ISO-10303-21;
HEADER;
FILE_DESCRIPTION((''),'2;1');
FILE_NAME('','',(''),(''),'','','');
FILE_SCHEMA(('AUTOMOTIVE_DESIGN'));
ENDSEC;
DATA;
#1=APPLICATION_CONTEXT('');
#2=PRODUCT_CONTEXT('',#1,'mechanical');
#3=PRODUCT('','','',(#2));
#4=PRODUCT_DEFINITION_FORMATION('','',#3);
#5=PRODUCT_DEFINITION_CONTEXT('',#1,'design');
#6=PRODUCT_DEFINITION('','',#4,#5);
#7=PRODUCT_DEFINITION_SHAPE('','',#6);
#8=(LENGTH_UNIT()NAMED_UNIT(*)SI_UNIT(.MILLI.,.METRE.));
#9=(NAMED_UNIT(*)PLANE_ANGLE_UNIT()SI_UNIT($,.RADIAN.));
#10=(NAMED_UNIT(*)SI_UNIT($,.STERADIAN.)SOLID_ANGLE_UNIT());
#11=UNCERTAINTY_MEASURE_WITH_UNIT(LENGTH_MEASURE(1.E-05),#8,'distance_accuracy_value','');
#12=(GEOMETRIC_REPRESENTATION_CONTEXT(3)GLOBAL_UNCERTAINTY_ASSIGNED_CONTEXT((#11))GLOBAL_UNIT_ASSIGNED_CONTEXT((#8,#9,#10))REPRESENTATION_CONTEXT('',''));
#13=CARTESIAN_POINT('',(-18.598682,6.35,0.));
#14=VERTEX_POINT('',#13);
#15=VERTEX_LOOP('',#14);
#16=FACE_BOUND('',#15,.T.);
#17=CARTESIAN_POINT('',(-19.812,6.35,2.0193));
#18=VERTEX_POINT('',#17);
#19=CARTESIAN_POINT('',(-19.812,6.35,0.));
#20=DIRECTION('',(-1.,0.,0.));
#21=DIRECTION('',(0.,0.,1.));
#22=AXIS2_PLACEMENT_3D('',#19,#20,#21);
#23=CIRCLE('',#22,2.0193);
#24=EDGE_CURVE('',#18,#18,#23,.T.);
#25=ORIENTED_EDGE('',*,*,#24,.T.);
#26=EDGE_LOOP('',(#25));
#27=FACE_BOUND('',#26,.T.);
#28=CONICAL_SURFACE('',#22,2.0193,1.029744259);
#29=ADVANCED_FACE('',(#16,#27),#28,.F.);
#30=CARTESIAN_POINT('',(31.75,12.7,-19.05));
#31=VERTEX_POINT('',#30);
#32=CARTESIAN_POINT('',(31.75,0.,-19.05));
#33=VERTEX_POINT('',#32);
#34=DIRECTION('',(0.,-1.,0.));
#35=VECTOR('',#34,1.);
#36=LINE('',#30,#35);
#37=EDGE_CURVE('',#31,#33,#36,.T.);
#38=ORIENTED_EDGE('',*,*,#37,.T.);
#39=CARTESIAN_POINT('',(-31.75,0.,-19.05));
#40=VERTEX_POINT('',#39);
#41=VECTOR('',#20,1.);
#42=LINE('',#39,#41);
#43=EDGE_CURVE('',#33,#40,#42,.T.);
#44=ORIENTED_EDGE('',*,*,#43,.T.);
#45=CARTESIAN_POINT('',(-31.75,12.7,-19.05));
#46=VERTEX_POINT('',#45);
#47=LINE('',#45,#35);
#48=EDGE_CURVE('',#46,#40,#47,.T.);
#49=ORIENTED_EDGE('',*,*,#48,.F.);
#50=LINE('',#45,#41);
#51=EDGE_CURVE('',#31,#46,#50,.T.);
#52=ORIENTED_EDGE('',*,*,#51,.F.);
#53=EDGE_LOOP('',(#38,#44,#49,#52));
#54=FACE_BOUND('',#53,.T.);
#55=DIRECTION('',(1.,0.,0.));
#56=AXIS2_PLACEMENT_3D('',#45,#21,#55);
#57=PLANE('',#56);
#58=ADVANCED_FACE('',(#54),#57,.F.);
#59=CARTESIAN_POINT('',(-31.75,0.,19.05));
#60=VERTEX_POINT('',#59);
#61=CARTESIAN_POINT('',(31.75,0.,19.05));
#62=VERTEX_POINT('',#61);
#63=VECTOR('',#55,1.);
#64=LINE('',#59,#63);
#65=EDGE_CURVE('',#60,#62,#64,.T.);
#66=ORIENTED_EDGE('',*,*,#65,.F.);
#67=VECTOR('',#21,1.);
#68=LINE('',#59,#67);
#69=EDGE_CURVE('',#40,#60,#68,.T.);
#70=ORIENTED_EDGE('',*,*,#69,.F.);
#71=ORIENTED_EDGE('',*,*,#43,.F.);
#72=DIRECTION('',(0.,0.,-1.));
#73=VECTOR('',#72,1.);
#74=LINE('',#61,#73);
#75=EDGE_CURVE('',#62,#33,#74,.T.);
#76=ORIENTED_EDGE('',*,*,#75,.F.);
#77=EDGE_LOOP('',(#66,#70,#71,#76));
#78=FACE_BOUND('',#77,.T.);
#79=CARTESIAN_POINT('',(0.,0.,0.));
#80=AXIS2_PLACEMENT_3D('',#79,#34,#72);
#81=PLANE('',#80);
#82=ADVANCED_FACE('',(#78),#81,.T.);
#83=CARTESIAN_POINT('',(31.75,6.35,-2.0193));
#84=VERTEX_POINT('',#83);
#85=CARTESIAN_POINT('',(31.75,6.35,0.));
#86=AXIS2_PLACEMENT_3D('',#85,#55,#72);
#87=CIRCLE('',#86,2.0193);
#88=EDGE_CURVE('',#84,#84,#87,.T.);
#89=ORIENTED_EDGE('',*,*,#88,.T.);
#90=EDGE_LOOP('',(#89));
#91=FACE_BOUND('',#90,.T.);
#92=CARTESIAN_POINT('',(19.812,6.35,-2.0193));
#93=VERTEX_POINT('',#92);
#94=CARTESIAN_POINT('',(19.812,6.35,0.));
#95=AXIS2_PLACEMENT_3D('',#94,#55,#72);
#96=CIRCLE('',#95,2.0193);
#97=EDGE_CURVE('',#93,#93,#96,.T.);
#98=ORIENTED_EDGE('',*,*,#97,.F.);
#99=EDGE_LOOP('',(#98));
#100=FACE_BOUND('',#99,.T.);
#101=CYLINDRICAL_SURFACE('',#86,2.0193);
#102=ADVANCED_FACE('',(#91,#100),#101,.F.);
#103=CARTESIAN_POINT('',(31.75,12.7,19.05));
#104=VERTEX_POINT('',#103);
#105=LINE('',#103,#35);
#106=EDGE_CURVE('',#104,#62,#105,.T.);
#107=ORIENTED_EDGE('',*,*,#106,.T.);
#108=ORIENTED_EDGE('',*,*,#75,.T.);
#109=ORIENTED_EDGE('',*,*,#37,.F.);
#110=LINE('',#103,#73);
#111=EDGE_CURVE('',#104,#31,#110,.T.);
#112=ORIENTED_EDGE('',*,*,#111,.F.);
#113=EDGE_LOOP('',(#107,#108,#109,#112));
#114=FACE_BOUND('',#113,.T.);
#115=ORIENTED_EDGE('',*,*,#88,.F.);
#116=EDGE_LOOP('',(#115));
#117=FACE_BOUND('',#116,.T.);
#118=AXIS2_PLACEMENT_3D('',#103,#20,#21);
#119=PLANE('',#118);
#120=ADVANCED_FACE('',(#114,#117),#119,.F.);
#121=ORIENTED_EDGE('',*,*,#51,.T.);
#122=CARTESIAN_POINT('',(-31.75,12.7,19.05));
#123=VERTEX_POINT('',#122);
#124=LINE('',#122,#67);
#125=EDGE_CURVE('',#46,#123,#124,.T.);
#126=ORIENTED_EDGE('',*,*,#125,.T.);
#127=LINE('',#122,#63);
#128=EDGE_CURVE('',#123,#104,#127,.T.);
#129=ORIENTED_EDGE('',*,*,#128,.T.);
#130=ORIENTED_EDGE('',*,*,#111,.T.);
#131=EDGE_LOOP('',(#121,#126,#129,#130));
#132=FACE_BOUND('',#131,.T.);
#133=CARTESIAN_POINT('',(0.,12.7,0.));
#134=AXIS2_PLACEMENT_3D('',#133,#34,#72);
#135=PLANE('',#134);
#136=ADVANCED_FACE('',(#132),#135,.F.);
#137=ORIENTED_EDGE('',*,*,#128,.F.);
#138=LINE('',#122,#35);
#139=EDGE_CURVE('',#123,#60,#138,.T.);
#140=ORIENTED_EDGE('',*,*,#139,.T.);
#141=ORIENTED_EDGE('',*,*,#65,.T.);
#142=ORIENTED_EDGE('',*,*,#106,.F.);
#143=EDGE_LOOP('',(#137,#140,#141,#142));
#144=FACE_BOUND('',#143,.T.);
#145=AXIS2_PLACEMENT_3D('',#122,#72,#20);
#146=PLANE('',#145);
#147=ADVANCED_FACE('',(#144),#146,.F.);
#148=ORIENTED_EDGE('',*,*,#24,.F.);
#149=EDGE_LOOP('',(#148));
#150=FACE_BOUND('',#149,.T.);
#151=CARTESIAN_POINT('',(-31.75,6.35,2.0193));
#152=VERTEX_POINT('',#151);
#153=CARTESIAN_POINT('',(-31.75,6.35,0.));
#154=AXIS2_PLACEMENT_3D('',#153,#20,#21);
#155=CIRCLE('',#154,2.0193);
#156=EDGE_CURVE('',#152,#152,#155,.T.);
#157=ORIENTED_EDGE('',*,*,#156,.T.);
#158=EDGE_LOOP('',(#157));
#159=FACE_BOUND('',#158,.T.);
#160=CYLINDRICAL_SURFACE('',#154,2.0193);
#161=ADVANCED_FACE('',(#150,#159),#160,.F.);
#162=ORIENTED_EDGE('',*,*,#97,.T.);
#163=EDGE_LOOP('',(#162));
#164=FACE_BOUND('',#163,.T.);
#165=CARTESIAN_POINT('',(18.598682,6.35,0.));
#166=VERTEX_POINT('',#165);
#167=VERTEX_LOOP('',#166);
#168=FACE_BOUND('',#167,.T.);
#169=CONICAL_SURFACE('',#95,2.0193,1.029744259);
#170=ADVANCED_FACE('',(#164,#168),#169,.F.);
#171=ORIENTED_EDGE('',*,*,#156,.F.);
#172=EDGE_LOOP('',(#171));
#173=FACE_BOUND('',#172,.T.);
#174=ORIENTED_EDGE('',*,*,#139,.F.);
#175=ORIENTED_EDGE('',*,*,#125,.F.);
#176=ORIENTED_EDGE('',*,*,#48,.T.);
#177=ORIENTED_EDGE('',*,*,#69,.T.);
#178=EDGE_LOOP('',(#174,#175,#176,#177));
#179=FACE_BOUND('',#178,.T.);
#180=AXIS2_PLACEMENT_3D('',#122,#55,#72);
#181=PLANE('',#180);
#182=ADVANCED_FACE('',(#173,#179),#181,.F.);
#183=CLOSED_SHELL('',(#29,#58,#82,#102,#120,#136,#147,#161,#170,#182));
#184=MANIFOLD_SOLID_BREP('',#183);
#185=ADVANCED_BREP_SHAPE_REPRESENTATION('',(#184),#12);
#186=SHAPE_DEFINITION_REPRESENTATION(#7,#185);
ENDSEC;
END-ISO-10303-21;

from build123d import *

# Parameters (mm, degrees)
SKETCH1_W           = 63.5
SKETCH1_H           = 38.1
BOSS_EXTRUDE1_DEPTH = 12.7


with BuildPart() as part:
    # Sketch1 → Boss-Extrude1 (new body)
    with BuildSketch(Plane(origin=(0, 0, 0), x_dir=(1, 0, 0), z_dir=(0, 1, 0))):
        Rectangle(SKETCH1_W, SKETCH1_H)
    extrude(amount=BOSS_EXTRUDE1_DEPTH)

    # Sketch5 → #10-32 Tapped Hole1 (revolve, cut)
    with BuildSketch(Plane(origin=(-31.75, 6.35, 0), x_dir=(0, 0, 1), z_dir=(0, 1, 0))):
        Polygon((0, 0), (0, 13.151317848), (2.0193, 11.938), (2.0193, 0), align=None)
    f_10_32_tapped_hole1 = revolve(axis=Axis((-38.1, 6.35, 0), (1, 0, 0)), mode=Mode.SUBTRACT)

    # Mirror1: #10-32 Tapped Hole1 across plane
    add(f_10_32_tapped_hole1.mirror(Plane(origin=(0, 0, 0), x_dir=(0, 0, 1), z_dir=(1, 0, 0))), mode=Mode.SUBTRACT)


solid = part.part
